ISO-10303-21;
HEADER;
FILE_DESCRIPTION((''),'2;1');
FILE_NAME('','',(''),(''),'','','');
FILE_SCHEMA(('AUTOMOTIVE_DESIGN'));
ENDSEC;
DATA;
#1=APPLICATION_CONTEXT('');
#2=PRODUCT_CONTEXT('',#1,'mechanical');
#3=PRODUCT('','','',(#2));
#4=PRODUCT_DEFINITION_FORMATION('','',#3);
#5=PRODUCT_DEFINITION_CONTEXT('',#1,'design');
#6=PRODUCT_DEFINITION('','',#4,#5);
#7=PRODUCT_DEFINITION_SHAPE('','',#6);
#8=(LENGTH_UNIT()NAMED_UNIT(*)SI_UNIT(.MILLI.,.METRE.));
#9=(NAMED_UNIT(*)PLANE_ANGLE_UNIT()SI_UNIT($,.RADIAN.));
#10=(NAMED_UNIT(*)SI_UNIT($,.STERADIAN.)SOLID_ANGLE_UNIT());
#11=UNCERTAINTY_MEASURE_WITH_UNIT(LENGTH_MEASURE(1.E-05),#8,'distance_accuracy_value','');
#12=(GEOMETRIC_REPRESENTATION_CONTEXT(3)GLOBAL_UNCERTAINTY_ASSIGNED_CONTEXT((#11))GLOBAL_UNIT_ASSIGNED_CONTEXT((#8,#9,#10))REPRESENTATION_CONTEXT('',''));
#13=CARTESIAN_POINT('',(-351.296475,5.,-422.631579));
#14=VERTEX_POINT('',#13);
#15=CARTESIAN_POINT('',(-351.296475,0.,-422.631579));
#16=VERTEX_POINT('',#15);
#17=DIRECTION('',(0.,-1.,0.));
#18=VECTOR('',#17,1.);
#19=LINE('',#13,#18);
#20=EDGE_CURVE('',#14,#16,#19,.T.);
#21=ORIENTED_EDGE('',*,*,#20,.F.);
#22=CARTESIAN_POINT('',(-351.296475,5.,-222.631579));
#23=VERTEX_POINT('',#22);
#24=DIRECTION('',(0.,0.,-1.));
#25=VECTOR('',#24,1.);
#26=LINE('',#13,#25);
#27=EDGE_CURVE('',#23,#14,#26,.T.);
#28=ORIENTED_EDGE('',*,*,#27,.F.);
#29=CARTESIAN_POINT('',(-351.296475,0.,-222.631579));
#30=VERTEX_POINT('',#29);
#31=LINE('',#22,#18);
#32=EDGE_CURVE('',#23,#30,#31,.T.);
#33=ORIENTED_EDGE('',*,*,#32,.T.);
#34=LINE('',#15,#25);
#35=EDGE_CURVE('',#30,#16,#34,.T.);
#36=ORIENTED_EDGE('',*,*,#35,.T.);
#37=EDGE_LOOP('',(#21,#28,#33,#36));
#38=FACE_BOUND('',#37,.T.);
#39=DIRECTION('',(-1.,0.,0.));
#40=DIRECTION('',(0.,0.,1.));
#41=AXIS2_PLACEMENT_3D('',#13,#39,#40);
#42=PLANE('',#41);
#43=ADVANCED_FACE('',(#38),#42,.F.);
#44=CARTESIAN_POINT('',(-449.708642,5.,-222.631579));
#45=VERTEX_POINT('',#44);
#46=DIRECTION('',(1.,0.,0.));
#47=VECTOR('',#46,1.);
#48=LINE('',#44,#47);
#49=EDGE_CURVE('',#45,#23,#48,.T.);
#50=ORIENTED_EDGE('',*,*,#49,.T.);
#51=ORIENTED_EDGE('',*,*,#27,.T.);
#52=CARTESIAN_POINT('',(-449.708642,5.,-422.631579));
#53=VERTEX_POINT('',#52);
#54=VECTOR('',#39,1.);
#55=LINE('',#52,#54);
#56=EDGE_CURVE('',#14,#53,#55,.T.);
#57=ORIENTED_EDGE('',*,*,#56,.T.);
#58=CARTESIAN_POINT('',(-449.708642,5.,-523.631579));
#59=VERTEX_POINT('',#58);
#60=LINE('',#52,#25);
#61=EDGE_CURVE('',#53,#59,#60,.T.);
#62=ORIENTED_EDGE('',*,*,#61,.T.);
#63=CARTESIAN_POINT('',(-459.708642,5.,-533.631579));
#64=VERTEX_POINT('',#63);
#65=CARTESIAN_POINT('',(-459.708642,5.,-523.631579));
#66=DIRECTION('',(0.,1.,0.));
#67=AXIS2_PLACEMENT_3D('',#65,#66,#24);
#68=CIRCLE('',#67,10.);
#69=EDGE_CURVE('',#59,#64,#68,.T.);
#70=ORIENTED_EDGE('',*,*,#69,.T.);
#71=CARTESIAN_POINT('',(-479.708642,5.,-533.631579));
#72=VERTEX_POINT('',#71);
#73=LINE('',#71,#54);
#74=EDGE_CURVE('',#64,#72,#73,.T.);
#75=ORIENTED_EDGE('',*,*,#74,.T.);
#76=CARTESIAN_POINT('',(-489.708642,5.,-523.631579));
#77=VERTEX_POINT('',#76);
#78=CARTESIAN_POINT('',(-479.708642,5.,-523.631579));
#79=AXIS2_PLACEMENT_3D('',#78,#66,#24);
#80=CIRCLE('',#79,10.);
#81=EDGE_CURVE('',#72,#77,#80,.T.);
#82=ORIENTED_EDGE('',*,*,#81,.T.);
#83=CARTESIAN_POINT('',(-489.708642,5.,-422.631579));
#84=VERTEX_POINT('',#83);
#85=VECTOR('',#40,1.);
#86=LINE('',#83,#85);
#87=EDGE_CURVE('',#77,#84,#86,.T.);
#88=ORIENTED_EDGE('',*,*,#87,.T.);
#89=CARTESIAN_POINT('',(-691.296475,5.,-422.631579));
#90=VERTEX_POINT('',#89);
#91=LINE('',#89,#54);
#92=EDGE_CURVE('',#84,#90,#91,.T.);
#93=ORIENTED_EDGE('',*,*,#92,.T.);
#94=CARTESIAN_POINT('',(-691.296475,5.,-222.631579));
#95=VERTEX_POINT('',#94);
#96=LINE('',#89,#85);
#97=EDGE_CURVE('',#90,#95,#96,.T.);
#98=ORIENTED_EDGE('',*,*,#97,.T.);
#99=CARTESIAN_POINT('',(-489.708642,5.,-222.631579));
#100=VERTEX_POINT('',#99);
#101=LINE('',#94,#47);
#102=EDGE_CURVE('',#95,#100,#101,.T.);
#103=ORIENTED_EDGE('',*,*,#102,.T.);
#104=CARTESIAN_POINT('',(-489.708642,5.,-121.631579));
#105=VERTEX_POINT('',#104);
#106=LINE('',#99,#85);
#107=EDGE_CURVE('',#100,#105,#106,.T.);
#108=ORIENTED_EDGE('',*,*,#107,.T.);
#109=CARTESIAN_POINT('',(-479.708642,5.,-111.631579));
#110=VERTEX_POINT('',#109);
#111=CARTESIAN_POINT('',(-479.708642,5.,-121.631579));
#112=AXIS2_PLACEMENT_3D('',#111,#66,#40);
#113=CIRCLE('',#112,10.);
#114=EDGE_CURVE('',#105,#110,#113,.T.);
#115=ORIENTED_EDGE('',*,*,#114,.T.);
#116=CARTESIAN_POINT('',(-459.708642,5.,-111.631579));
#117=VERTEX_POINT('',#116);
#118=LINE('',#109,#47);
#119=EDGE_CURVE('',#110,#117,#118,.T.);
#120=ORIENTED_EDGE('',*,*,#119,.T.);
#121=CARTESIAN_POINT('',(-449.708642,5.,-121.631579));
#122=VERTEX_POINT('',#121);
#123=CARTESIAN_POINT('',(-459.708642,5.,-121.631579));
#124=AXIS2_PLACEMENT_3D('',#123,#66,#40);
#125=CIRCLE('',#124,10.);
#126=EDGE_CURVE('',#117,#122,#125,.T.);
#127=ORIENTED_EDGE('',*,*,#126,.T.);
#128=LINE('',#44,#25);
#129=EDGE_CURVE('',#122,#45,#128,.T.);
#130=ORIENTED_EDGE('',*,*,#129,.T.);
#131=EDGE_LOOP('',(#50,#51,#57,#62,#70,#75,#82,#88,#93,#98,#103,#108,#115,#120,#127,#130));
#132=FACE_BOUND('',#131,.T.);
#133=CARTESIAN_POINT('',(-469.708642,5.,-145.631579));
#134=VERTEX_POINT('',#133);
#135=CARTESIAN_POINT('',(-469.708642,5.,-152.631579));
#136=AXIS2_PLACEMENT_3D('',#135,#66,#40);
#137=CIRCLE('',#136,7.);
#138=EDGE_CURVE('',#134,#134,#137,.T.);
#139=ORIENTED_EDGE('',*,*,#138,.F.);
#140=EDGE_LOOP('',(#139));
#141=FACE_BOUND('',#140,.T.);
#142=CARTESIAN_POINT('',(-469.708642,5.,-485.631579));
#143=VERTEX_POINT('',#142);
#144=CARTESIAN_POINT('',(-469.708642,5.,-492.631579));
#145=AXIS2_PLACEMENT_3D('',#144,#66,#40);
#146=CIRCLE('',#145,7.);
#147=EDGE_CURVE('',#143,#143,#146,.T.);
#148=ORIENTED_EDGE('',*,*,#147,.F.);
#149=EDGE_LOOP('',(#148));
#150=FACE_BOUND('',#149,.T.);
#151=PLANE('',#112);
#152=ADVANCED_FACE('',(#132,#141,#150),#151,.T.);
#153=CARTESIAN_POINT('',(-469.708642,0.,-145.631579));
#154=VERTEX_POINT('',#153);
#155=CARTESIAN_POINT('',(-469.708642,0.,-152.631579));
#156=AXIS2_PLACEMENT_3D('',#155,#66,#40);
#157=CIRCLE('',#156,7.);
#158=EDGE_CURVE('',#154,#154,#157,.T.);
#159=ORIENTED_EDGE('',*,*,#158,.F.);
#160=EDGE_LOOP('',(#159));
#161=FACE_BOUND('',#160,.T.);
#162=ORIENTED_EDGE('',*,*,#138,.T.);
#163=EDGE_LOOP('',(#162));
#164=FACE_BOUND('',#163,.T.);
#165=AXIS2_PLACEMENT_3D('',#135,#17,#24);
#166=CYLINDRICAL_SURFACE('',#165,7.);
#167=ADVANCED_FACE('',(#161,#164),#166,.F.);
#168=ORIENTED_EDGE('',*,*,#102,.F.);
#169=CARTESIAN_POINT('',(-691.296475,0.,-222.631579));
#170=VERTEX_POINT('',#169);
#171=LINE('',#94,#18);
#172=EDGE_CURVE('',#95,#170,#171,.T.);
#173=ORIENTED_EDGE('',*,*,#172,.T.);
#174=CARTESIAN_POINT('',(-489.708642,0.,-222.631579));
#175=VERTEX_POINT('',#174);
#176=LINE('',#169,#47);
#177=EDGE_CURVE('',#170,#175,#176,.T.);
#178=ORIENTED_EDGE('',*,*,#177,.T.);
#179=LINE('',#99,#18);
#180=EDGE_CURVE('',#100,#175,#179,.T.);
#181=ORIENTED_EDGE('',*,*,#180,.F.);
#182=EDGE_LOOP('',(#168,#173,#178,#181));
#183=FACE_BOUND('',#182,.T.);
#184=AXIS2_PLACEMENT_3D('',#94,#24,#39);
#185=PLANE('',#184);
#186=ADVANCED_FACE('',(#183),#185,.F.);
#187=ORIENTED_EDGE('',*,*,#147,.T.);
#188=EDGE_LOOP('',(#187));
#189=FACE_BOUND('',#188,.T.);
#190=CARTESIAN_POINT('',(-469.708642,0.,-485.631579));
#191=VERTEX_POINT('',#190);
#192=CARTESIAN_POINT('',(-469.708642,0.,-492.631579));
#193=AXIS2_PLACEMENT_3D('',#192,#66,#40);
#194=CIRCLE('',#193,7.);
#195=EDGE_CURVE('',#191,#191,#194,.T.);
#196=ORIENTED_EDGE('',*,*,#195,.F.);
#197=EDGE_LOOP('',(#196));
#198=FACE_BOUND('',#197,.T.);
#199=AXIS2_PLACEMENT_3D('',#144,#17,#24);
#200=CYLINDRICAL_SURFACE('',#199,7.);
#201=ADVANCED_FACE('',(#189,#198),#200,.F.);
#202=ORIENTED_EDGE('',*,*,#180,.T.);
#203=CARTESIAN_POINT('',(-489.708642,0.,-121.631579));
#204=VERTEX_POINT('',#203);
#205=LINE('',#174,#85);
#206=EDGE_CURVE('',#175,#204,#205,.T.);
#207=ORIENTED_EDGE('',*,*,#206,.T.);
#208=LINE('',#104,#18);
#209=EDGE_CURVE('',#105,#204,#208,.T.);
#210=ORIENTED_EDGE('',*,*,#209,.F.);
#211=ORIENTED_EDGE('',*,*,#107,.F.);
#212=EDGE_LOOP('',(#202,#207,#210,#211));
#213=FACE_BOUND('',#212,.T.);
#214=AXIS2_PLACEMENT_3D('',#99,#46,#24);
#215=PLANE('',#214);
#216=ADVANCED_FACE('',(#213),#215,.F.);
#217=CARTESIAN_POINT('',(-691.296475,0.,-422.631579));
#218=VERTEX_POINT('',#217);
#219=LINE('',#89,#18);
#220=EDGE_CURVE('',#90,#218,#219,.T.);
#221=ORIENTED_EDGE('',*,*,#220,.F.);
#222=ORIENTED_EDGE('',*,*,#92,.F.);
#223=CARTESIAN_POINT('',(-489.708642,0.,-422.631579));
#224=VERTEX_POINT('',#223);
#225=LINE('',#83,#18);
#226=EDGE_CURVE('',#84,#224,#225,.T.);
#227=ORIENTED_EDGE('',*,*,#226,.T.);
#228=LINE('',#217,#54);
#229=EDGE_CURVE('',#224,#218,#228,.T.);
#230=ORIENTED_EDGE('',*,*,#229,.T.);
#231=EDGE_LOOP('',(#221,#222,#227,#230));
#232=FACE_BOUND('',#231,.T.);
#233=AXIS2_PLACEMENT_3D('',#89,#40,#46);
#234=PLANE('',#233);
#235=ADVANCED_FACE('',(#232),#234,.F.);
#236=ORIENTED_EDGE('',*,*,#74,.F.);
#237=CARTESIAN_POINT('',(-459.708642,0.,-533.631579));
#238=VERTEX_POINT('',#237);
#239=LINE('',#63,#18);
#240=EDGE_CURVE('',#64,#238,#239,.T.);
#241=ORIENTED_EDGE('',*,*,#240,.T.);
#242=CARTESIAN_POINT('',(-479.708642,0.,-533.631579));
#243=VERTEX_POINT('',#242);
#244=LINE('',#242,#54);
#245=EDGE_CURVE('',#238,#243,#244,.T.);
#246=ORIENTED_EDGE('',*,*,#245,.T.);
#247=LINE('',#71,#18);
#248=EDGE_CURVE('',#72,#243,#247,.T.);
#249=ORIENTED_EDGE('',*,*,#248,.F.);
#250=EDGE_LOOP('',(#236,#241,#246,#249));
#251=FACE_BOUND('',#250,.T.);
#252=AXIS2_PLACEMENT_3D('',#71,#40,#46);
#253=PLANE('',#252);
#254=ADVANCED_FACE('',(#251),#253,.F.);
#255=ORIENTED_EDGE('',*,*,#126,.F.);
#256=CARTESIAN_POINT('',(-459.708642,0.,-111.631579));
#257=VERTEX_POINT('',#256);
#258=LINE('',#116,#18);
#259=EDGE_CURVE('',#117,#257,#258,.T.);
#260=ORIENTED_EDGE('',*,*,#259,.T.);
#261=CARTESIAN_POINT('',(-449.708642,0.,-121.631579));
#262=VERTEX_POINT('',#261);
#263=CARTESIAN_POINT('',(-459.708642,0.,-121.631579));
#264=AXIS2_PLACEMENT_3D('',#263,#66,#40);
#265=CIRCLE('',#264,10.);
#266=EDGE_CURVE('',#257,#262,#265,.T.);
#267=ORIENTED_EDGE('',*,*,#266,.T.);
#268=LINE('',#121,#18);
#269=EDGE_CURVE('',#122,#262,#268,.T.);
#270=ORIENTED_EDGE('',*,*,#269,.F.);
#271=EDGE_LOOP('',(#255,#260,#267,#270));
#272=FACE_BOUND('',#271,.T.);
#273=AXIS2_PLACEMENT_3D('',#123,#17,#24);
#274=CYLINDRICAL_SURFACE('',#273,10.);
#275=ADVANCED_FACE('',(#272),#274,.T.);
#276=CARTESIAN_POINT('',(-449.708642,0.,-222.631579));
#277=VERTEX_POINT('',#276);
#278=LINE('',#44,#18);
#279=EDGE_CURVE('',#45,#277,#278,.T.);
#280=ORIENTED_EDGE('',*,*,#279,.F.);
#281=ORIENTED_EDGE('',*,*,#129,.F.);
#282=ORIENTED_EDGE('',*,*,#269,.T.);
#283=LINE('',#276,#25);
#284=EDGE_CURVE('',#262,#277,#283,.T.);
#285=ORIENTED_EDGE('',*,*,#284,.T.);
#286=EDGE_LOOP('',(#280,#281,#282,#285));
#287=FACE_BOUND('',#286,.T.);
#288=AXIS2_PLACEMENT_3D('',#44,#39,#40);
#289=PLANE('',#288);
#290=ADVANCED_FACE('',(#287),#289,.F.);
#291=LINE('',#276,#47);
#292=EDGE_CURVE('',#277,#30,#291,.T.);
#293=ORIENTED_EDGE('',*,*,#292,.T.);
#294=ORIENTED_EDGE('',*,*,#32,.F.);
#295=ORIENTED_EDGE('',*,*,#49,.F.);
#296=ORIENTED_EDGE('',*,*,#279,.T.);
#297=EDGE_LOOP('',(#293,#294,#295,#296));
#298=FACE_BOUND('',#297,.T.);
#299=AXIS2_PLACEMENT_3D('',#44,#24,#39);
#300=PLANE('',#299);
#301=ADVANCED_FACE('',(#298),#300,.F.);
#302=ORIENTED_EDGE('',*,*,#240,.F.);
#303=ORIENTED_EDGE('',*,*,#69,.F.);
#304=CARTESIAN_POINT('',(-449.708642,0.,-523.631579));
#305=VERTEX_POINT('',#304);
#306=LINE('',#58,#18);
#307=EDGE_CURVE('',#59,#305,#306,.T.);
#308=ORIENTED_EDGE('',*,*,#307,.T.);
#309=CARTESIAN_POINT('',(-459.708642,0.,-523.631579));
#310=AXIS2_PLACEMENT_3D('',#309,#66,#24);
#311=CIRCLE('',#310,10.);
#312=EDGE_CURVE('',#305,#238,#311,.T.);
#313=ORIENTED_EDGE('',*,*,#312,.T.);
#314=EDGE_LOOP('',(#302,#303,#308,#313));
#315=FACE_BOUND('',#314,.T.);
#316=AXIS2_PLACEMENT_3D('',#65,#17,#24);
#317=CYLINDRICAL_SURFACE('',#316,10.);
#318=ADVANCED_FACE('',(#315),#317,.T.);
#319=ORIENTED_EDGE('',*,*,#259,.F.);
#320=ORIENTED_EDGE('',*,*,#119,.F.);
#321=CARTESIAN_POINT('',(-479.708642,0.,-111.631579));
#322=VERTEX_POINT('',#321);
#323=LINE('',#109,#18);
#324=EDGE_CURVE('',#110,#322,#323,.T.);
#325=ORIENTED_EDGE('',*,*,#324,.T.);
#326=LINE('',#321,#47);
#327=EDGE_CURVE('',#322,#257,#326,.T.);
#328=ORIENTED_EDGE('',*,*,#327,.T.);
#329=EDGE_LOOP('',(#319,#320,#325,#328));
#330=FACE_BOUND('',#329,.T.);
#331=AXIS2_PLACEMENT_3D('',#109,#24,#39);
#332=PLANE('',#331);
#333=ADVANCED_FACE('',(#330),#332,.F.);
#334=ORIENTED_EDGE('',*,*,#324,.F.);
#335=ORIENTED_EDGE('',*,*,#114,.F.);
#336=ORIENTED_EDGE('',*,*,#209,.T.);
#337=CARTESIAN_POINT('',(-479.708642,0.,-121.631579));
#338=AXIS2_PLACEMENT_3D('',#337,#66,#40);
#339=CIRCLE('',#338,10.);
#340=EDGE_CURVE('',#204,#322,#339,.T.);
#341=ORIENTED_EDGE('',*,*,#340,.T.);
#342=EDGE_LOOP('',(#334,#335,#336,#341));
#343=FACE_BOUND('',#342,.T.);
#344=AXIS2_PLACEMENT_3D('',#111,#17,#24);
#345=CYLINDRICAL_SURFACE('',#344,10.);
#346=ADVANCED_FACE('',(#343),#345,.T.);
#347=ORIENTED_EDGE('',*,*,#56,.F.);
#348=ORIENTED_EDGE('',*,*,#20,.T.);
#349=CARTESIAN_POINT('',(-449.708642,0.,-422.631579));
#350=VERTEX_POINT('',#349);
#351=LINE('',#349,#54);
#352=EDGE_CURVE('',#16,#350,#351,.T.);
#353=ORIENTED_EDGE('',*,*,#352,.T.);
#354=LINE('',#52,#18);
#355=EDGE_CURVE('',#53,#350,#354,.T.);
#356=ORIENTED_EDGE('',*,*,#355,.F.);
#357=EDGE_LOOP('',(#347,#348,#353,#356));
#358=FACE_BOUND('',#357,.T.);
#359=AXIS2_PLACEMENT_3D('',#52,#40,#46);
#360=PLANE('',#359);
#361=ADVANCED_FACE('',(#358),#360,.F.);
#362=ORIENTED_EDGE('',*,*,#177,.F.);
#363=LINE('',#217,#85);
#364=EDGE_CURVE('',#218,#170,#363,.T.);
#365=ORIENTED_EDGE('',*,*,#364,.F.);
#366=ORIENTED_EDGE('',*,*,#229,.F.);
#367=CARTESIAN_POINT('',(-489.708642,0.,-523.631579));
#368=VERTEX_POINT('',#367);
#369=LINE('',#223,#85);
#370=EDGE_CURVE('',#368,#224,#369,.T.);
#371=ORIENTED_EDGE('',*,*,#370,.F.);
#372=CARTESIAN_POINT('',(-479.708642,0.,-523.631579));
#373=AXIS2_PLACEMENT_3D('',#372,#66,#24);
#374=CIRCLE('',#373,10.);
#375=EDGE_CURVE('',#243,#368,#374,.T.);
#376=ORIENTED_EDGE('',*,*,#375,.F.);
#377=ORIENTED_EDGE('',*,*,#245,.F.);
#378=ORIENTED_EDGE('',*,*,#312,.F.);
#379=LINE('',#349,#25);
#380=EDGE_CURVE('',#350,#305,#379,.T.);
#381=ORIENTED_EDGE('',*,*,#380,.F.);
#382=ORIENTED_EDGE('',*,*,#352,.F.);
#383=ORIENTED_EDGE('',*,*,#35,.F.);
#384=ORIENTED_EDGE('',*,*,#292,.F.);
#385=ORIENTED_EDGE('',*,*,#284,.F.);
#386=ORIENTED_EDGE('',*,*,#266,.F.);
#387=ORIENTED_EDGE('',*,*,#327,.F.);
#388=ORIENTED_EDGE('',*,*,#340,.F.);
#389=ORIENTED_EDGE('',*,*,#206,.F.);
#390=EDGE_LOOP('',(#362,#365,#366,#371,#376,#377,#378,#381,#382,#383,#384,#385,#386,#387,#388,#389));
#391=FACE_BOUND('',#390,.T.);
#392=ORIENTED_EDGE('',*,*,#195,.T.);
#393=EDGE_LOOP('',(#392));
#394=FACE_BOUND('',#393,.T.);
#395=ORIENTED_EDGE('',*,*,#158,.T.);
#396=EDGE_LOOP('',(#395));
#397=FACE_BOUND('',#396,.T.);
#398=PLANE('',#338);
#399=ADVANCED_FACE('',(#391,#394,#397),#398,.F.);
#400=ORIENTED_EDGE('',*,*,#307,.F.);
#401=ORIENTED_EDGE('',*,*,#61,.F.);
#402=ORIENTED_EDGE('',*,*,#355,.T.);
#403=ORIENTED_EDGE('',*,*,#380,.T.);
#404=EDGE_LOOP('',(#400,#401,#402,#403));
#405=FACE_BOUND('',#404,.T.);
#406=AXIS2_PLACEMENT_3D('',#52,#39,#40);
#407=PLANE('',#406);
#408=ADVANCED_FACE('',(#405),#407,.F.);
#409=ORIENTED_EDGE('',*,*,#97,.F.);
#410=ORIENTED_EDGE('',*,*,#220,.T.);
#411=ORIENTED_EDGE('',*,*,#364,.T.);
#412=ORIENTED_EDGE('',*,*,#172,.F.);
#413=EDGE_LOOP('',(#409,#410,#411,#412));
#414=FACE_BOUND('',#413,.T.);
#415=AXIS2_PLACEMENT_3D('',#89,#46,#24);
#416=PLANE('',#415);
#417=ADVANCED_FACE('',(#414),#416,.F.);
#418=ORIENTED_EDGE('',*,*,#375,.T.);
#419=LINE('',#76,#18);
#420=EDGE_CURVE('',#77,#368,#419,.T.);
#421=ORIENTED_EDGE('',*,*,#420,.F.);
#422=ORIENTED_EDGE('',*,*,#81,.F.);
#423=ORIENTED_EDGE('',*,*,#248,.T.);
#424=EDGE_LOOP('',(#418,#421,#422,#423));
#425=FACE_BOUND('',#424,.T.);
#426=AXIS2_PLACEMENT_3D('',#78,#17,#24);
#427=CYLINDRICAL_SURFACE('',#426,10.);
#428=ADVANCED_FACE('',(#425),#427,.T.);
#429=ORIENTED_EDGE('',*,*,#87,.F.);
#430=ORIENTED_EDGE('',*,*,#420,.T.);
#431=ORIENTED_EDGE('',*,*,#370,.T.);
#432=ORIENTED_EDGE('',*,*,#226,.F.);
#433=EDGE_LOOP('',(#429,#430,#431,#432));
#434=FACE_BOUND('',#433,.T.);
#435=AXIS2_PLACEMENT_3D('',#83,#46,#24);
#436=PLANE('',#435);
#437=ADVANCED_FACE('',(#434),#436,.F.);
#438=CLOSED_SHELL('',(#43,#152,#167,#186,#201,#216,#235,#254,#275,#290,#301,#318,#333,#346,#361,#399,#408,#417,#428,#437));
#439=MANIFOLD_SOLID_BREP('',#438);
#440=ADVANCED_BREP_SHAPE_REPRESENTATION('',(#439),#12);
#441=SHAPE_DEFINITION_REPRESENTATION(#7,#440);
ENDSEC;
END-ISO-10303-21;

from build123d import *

# Parameters (mm, degrees)
SKETCH1_R           = 7
BOSS_EXTRUDE1_DEPTH = 5


with BuildPart() as part:
    # Sketch1 → Boss-Extrude1 (new body)
    with BuildSketch(Plane(origin=(0, 0, 0), x_dir=(1, 0, 0), z_dir=(0, 1, 0))):
        with BuildLine():
            Line((-449.708642176, 422.631578947), (-351.296475424, 422.631578947))
            Line((-351.296475424, 422.631578947), (-351.296475424, 222.631578947))
            Line((-351.296475424, 222.631578947), (-449.708642176, 222.631578947))
            Line((-449.708642176, 222.631578947), (-449.708642176, 121.631578947))
            ThreePointArc((-449.708642176, 121.631578947), (-452.637574364, 114.560511136), (-459.708642176, 111.631578947))
            Line((-459.708642176, 111.631578947), (-479.708642176, 111.631578947))
            ThreePointArc((-479.708642176, 111.631578947), (-486.779709988, 114.560511136), (-489.708642176, 121.631578947))
            Line((-489.708642176, 121.631578947), (-489.708642176, 222.631578947))
            Line((-489.708642176, 222.631578947), (-691.296475424, 222.631578947))
            Line((-691.296475424, 222.631578947), (-691.296475424, 422.631578947))
            Line((-691.296475424, 422.631578947), (-489.708642176, 422.631578947))
            Line((-489.708642176, 422.631578947), (-489.708642176, 523.631578947))
            ThreePointArc((-489.708642176, 523.631578947), (-486.779709988, 530.702646759), (-479.708642176, 533.631578947))
            Line((-479.708642176, 533.631578947), (-459.708642176, 533.631578947))
            ThreePointArc((-459.708642176, 533.631578947), (-452.637574364, 530.702646759), (-449.708642176, 523.631578947))
            Line((-449.708642176, 523.631578947), (-449.708642176, 422.631578947))
        make_face()
        with Locations((-469.708642176, 492.631578947)):
            Circle(SKETCH1_R, mode=Mode.SUBTRACT)
        with Locations((-469.708642176, 152.631578947)):
            Circle(SKETCH1_R, mode=Mode.SUBTRACT)
    extrude(amount=BOSS_EXTRUDE1_DEPTH)


solid = part.part
